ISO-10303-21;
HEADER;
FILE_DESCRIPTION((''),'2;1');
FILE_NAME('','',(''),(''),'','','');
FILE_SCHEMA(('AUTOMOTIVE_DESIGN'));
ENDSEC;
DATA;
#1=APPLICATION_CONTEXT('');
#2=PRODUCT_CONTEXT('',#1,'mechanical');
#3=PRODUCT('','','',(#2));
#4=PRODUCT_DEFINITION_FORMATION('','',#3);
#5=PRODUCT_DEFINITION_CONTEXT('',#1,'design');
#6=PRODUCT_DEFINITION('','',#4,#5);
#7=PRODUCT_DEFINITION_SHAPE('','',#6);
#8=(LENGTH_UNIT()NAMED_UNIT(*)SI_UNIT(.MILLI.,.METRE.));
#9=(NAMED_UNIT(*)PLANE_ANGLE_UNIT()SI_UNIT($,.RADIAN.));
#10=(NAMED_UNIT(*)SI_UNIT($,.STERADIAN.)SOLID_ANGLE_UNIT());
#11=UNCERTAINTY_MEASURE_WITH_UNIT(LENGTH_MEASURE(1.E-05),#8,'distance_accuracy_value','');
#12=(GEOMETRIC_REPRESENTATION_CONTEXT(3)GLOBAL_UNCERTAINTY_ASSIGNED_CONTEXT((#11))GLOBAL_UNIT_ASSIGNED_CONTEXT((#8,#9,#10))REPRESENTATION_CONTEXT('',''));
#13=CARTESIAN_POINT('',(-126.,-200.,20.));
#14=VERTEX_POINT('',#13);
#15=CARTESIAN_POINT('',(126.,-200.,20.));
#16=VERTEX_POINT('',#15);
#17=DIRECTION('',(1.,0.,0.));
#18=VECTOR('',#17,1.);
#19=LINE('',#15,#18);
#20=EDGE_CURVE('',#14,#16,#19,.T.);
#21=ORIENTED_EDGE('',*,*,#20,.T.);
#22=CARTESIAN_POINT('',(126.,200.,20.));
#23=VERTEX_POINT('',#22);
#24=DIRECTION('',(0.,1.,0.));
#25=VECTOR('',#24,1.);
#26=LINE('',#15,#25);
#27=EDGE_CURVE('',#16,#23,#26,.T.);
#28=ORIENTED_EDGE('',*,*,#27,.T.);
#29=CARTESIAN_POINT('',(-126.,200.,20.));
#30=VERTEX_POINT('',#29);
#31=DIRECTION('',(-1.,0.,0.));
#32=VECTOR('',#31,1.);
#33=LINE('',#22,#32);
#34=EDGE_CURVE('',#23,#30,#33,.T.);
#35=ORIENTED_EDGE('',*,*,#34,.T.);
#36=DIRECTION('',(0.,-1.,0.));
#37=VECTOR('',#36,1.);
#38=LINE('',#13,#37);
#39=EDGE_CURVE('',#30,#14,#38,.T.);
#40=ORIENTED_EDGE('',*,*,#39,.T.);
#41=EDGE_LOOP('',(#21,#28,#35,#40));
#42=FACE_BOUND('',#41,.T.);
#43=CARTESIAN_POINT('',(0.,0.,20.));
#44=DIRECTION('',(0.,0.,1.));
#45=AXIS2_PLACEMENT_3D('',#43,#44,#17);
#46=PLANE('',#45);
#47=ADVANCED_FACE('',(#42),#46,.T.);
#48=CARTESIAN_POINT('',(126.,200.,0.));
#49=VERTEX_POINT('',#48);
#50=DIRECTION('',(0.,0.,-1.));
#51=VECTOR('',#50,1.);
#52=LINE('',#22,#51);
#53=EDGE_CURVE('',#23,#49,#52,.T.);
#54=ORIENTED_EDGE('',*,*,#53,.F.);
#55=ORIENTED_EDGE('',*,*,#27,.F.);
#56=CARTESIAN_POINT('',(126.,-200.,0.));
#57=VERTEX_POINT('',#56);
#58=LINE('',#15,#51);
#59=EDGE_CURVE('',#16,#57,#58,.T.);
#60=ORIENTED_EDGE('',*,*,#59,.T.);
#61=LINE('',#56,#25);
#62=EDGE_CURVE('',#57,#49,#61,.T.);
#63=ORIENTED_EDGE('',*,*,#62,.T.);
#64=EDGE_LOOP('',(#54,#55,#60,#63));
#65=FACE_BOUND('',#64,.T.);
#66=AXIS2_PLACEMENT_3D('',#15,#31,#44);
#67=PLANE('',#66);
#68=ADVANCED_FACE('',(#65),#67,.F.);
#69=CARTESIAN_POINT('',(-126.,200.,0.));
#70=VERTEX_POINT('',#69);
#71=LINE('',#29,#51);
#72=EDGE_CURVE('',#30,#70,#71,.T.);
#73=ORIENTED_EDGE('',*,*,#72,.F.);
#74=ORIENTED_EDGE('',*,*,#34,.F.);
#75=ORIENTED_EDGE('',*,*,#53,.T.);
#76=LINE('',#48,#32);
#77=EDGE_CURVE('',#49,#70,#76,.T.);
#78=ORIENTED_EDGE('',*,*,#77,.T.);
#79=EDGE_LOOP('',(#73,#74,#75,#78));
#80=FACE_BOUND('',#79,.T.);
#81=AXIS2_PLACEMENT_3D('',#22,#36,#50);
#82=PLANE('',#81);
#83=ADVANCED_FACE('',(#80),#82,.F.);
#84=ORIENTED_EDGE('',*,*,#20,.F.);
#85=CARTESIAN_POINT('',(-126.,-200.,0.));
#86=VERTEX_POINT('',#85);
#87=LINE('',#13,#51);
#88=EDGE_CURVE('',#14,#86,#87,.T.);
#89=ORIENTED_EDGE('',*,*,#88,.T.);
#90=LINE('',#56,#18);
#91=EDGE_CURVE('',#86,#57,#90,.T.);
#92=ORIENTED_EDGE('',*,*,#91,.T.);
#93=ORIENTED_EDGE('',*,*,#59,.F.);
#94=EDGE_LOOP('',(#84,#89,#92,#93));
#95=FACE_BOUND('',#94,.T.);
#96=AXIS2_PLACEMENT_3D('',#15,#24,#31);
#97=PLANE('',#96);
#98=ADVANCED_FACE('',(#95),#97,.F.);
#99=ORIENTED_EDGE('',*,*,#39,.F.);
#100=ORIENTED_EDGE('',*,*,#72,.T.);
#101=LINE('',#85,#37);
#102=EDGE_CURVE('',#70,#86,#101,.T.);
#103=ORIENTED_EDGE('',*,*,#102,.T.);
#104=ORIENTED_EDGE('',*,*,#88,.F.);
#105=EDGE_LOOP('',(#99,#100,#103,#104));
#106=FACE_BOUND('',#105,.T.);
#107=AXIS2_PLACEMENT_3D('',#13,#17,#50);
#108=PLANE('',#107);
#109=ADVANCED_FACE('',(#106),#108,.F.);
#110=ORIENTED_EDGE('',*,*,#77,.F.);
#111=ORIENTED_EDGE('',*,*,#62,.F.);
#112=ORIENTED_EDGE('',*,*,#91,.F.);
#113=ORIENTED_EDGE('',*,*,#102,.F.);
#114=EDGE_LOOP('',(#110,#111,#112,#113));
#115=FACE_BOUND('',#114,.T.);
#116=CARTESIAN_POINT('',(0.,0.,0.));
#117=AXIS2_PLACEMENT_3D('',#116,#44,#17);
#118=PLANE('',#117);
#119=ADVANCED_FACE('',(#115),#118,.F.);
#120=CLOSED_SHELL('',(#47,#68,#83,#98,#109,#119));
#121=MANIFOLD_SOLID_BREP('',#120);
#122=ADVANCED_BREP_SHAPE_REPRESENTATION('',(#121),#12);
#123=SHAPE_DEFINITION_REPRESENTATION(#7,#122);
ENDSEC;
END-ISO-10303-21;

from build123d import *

# Parameters (mm, degrees)
SCHIZZO1_W                   = 252
SCHIZZO1_H                   = 400
ESTRUSIONE_ESTRUSIONE1_DEPTH = 20


with BuildPart() as part:
    # Schizzo1 → Estrusione-Estrusione1 (new body)
    with BuildSketch(Plane.XY):
        Rectangle(SCHIZZO1_W, SCHIZZO1_H)
    extrude(amount=ESTRUSIONE_ESTRUSIONE1_DEPTH)


solid = part.part
